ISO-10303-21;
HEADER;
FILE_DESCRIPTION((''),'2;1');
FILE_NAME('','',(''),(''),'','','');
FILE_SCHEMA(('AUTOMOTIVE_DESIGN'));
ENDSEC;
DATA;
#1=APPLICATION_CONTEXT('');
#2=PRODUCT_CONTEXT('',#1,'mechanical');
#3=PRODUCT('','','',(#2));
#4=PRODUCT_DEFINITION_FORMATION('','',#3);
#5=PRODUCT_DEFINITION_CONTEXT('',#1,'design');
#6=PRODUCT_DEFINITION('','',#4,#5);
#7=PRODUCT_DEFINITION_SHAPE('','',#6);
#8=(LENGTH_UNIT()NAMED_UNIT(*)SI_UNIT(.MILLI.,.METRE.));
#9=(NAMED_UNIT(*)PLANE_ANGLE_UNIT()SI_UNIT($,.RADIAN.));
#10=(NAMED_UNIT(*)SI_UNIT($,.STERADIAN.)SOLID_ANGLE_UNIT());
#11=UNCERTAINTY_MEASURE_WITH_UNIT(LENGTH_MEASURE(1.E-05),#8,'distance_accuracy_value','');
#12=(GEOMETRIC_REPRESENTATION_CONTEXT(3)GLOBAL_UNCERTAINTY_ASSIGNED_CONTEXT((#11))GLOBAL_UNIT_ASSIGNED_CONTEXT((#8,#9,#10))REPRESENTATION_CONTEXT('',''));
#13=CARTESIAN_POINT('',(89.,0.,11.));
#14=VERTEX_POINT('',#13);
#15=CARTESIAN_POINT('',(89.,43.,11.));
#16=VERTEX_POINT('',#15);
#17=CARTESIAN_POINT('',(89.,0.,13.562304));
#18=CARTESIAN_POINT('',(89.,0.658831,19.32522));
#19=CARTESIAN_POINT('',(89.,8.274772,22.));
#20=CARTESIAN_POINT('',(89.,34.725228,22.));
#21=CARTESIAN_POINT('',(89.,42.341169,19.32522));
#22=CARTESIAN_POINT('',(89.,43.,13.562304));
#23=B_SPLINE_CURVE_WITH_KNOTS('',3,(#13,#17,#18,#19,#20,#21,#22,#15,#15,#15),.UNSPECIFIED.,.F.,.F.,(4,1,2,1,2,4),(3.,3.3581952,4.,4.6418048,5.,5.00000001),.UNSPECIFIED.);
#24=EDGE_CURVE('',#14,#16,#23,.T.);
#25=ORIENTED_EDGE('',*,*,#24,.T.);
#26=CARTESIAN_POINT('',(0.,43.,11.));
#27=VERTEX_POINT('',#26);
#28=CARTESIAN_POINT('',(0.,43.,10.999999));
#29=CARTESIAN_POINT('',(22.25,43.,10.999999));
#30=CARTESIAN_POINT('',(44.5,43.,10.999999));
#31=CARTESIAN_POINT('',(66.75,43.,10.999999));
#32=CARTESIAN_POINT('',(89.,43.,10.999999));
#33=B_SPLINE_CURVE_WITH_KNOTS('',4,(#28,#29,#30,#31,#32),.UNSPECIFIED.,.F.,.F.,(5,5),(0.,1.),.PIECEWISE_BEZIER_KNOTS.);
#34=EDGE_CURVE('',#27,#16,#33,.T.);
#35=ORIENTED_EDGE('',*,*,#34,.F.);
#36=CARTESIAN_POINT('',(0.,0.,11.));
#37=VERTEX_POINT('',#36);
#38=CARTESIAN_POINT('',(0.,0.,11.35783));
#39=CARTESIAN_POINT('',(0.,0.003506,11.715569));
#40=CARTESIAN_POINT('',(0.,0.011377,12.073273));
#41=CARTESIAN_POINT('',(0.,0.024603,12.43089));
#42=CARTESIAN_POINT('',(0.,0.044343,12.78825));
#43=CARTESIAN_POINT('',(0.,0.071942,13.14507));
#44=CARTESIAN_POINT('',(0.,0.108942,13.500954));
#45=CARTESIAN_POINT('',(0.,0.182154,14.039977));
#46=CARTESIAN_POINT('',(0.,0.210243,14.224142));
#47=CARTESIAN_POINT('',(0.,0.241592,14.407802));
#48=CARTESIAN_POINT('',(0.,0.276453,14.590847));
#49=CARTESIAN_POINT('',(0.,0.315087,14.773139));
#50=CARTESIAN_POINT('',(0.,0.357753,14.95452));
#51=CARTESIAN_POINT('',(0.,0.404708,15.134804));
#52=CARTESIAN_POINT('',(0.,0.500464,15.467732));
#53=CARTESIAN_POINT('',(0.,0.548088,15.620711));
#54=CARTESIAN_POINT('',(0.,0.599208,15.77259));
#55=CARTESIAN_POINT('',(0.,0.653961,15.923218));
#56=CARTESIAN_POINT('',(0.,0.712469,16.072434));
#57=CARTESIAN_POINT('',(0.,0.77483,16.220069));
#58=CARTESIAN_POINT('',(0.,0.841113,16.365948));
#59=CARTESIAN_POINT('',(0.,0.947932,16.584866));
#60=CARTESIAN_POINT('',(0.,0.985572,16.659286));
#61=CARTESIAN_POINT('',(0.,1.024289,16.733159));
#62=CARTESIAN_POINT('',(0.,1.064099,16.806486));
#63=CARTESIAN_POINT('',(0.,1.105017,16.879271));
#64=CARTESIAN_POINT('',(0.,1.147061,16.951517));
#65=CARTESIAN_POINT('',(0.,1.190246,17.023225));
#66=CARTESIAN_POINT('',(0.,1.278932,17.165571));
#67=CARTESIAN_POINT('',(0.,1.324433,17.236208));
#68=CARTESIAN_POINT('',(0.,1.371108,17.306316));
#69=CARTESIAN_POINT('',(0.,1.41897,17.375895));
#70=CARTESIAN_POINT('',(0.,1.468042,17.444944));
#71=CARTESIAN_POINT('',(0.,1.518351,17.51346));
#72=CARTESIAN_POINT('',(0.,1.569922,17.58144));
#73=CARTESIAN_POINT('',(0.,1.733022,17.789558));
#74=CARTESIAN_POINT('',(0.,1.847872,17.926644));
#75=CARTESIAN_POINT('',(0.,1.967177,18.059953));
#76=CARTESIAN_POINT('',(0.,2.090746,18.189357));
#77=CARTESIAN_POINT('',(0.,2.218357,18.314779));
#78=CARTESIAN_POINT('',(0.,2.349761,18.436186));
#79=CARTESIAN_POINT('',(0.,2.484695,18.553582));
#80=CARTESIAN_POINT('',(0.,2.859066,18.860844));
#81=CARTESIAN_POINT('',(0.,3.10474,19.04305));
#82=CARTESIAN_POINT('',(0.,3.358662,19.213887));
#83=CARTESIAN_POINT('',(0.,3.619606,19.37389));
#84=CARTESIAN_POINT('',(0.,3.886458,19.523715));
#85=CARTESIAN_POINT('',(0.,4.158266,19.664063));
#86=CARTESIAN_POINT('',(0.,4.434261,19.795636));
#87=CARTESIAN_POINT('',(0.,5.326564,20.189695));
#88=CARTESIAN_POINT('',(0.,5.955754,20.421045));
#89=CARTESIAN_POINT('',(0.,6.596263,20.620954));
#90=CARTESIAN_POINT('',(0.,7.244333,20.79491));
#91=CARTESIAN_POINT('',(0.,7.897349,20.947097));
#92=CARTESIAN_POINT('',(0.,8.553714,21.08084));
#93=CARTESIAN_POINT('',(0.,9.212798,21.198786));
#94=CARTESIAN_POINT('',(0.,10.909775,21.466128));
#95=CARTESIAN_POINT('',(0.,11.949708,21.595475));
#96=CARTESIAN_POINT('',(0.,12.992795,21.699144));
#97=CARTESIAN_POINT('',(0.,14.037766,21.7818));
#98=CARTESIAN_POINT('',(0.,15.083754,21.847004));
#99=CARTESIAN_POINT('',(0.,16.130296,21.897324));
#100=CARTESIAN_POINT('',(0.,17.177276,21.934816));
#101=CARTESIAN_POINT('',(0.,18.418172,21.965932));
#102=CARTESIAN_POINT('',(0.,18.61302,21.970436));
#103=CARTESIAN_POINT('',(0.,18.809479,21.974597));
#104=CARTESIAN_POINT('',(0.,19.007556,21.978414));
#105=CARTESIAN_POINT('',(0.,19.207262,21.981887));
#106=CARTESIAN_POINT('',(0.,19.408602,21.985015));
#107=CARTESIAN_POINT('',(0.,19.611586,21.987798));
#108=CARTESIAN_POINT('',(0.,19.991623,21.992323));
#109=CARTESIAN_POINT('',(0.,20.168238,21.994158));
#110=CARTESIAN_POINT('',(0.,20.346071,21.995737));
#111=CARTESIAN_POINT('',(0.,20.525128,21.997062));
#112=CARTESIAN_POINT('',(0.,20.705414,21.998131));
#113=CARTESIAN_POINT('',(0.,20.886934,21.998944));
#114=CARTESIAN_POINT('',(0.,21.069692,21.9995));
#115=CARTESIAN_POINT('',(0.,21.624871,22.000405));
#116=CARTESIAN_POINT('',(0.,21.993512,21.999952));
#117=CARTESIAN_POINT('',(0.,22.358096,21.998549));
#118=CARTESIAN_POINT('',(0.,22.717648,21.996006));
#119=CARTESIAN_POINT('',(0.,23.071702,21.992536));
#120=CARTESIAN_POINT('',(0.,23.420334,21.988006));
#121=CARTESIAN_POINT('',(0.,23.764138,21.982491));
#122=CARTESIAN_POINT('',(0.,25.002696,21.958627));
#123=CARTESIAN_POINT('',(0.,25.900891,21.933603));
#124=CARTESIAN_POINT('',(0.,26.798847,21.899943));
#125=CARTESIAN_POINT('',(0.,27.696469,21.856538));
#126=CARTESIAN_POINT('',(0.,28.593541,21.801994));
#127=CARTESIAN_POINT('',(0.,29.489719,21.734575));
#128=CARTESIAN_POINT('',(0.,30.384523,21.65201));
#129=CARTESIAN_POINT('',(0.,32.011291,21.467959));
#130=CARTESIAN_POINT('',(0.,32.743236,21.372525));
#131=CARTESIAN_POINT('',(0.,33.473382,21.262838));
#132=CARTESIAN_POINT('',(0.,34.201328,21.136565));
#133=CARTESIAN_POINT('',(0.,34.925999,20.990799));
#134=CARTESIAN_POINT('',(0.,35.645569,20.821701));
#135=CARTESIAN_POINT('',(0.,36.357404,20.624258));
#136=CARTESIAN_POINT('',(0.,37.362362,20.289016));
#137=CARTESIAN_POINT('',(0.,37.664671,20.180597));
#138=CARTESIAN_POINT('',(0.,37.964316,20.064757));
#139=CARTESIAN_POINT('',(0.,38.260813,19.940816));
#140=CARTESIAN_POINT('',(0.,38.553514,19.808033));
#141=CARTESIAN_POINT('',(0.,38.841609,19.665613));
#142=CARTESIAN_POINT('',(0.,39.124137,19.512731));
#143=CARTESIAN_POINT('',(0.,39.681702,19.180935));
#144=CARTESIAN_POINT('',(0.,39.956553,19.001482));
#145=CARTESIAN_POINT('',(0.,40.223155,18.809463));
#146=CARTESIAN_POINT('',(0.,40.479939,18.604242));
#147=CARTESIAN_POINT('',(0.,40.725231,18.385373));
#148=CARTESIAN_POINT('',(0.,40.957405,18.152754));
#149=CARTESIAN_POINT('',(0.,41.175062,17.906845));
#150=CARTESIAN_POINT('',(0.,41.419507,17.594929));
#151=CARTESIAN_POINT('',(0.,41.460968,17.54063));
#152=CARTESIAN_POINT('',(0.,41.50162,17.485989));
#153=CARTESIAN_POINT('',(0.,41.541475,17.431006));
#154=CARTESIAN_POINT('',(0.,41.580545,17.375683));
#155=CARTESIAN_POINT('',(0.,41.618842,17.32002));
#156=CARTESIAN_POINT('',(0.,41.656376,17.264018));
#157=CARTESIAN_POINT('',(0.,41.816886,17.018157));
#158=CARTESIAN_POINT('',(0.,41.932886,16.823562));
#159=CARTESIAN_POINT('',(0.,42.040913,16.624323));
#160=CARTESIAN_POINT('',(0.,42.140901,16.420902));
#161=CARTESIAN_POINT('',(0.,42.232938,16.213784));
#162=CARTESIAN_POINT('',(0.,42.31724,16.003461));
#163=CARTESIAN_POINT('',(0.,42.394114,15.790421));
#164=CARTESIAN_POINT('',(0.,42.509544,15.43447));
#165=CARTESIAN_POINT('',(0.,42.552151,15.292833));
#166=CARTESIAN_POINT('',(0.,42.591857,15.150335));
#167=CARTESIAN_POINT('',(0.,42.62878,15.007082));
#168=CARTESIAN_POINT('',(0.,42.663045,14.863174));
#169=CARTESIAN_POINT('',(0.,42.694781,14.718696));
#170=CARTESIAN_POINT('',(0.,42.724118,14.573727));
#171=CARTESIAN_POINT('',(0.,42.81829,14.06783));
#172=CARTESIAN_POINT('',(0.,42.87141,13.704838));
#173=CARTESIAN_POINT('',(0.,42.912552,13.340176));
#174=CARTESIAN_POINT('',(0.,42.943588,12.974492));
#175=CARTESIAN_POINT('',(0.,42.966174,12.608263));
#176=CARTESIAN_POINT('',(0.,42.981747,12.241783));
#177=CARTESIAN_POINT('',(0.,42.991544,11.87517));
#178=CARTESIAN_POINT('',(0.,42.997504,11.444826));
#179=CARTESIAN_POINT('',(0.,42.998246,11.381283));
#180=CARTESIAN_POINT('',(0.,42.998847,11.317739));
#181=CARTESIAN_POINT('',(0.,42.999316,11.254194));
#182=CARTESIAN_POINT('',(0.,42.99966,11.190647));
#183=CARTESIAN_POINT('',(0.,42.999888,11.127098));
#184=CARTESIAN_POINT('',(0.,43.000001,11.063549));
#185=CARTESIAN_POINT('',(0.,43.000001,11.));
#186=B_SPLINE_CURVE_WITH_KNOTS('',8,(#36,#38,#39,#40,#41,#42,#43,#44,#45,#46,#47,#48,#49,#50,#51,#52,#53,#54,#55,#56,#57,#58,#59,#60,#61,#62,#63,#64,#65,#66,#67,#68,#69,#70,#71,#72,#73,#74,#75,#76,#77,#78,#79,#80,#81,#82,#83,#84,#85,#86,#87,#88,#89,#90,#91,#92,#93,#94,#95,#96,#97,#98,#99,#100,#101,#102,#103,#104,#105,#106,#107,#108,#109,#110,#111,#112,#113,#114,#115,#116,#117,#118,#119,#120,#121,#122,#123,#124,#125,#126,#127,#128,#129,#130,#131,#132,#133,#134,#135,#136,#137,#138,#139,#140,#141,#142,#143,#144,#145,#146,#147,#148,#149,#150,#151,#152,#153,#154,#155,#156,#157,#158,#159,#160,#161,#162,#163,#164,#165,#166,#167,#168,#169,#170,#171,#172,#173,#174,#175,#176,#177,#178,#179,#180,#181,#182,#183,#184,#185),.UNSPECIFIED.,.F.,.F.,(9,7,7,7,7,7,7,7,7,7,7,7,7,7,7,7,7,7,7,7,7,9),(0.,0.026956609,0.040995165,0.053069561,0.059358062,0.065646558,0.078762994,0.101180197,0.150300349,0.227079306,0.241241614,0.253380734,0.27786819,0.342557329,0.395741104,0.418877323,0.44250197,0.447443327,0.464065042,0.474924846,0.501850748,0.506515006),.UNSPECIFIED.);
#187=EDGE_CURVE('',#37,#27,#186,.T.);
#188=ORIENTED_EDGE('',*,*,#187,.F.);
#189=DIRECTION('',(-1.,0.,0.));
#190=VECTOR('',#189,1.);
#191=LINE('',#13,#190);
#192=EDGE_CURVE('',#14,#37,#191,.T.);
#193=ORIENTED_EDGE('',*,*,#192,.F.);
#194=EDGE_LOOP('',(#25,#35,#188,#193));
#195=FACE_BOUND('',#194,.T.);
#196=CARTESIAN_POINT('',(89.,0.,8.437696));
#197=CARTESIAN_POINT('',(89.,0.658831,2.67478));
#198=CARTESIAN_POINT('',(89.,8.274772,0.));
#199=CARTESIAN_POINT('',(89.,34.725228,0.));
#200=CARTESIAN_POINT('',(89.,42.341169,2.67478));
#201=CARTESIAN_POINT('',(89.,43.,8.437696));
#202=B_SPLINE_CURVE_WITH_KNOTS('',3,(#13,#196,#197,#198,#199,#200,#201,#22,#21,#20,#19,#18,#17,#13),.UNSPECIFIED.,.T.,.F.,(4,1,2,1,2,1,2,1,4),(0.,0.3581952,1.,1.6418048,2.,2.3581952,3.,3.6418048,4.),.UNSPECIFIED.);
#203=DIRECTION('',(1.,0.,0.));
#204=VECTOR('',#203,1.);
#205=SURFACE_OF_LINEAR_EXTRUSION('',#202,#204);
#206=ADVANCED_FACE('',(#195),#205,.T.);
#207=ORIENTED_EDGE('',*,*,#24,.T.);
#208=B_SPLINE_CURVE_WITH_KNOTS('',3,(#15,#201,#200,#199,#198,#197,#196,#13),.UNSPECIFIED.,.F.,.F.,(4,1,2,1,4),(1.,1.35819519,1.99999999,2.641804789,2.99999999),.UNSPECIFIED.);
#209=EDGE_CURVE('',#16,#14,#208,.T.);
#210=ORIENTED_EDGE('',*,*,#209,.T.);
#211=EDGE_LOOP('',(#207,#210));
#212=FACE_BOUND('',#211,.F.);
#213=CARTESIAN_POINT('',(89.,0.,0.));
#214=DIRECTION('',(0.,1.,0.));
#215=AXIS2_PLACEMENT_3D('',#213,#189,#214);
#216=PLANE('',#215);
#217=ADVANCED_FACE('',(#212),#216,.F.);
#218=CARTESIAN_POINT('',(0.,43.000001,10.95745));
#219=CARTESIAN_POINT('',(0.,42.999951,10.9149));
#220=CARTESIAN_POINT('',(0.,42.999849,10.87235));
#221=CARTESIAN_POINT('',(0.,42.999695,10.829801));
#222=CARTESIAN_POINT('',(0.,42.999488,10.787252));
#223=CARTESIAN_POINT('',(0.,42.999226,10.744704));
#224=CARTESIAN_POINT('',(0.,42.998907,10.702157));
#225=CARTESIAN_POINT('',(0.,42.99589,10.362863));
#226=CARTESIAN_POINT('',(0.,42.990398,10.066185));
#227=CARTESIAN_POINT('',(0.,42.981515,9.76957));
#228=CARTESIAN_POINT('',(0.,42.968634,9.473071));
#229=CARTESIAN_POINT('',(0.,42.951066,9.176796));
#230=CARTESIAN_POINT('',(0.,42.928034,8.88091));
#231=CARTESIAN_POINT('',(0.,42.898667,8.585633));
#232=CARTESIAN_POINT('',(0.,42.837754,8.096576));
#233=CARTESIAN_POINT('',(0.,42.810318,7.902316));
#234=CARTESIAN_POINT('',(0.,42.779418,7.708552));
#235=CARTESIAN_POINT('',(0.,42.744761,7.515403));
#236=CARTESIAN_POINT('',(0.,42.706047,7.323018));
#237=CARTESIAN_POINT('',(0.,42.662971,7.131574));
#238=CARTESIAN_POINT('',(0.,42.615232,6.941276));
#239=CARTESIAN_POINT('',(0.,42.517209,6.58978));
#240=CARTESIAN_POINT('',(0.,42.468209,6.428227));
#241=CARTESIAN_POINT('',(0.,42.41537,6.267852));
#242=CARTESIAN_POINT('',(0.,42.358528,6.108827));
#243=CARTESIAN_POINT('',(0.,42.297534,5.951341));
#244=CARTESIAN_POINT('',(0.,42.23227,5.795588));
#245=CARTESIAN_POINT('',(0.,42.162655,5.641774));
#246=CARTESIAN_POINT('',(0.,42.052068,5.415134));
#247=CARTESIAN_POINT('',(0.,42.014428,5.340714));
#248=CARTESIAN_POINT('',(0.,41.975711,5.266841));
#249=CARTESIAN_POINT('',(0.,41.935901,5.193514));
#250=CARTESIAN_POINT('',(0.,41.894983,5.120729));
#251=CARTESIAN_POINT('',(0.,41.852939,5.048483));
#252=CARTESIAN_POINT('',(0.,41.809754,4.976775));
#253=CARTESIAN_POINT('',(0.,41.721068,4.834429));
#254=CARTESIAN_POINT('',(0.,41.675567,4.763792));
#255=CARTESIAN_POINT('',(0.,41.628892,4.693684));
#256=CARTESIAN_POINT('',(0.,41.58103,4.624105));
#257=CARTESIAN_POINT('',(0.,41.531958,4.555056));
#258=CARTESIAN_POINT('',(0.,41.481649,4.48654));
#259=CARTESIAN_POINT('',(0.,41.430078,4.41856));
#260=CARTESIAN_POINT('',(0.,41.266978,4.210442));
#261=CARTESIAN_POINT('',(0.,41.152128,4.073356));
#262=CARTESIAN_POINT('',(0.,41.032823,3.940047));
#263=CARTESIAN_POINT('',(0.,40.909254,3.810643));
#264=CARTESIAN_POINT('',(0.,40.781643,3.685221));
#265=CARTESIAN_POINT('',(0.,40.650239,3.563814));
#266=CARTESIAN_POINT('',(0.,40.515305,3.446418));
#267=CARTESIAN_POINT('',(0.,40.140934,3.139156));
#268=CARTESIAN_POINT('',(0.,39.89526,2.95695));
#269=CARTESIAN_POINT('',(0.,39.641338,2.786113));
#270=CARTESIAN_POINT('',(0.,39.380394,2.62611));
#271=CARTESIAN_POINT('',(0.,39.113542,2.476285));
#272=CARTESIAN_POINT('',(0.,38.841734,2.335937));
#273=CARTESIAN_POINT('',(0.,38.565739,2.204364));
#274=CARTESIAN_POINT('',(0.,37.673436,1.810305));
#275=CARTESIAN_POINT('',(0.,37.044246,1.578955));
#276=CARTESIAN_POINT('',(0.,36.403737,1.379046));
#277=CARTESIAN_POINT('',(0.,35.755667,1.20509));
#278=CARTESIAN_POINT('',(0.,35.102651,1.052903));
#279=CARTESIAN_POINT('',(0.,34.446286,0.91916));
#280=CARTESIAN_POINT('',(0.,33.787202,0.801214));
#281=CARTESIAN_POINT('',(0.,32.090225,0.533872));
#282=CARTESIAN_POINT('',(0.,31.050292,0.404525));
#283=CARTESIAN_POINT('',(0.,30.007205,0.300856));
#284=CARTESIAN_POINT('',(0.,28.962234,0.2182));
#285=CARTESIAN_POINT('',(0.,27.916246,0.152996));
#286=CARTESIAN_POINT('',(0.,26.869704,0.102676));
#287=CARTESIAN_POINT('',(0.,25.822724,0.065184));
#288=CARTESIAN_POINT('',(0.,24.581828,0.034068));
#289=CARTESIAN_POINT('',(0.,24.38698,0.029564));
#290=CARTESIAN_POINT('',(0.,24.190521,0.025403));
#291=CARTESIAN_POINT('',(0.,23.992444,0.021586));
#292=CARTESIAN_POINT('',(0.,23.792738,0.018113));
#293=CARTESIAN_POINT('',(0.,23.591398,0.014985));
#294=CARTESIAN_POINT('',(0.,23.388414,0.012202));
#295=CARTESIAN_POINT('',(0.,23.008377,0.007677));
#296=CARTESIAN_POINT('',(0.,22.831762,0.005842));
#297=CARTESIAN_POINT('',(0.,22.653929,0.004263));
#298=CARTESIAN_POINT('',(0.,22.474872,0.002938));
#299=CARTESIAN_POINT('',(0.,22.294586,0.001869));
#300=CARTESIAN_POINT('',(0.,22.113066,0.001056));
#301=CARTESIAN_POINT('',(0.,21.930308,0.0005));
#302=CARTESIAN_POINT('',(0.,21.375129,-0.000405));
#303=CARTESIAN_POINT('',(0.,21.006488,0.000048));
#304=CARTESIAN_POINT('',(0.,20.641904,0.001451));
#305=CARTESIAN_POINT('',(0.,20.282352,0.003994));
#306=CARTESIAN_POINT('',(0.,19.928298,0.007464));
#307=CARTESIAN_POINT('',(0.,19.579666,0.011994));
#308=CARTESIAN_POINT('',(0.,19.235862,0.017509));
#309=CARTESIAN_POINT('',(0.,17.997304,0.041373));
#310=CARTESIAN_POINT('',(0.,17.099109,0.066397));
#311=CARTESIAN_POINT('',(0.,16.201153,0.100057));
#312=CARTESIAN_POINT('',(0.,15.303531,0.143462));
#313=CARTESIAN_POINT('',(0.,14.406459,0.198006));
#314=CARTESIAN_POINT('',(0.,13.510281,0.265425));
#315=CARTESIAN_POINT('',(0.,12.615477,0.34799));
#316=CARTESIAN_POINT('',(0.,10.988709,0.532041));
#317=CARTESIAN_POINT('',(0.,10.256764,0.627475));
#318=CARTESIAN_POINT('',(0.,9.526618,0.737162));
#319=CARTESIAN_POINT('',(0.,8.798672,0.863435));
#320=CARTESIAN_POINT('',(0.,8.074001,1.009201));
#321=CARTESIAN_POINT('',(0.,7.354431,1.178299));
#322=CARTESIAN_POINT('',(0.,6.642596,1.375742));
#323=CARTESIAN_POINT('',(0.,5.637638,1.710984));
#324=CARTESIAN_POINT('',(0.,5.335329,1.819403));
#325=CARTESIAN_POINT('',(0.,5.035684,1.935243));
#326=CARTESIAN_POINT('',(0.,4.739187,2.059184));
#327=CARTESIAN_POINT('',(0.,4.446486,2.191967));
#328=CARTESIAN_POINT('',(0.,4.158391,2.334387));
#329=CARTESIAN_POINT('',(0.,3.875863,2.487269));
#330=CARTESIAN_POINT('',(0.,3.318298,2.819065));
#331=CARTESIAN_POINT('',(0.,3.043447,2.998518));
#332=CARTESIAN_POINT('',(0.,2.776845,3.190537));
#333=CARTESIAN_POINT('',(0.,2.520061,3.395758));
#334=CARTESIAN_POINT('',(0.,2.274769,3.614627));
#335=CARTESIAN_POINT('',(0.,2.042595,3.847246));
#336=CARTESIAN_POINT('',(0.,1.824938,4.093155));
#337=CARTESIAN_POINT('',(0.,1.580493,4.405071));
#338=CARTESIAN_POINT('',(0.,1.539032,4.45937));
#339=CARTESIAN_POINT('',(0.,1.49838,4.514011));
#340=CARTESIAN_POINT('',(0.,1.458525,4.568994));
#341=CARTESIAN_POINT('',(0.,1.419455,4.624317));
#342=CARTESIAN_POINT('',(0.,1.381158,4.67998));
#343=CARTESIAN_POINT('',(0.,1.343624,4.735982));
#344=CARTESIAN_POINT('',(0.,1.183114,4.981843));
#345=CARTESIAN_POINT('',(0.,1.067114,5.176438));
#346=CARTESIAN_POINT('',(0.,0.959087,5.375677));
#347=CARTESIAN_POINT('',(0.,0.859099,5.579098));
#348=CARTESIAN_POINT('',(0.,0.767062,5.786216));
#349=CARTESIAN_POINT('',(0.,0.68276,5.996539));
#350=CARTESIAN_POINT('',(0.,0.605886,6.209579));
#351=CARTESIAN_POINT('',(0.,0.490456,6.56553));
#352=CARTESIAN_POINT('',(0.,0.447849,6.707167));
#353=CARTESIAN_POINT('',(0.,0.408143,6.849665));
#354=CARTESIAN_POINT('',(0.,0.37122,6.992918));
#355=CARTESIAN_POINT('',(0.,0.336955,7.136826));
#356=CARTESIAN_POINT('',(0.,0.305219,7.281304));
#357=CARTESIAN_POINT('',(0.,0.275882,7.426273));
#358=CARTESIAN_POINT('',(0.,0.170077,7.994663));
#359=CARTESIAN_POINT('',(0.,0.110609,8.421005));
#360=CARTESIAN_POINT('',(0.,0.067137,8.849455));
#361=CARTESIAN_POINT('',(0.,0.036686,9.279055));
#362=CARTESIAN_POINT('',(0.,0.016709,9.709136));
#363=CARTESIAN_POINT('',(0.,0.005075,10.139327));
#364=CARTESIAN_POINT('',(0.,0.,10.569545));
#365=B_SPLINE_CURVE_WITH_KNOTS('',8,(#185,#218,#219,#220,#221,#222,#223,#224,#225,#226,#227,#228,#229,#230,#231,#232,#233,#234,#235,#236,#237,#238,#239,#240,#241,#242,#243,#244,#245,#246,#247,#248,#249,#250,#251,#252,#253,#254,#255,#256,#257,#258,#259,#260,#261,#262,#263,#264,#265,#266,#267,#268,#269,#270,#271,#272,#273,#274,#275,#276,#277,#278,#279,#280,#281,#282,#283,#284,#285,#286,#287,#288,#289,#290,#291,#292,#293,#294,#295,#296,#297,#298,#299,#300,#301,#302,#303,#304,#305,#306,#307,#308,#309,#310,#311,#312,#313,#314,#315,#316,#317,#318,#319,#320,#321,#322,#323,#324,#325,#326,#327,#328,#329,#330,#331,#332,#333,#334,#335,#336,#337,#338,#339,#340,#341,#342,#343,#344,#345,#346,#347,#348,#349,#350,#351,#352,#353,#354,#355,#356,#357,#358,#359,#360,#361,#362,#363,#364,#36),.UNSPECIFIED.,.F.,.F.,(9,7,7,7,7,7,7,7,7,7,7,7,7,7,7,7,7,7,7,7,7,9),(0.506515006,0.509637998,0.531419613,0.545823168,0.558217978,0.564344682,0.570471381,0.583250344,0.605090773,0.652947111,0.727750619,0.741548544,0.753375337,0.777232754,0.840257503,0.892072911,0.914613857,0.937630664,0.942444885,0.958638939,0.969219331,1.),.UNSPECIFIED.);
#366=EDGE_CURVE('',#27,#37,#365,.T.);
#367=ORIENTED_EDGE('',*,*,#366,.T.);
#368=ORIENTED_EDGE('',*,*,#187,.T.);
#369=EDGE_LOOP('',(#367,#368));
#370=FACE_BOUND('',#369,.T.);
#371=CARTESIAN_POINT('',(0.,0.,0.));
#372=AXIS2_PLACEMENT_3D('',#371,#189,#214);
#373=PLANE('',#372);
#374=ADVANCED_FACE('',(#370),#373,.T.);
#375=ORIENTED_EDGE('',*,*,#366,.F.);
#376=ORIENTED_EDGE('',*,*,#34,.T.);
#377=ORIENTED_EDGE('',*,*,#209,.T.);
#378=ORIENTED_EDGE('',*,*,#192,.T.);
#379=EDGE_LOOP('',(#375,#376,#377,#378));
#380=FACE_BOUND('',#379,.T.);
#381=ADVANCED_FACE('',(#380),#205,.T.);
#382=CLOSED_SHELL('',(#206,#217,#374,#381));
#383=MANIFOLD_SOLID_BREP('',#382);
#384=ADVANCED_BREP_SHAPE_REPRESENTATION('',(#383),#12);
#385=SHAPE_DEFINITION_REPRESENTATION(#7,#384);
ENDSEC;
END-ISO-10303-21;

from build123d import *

# Parameters (mm, degrees)
F0_W     = 89
F0_H     = 43
F1_DEPTH = 22
F3_DEPTH = 89.001


with BuildPart() as f1:
    # F0 (on Top) → F1 (new body)
    with BuildSketch(Plane.XY):
        with Locations((44.5, 21.5)):
            Rectangle(F0_W, F0_H)
    extrude(amount=F1_DEPTH)

    # F2 (on face) → F3 (intersect, through all)
    with BuildSketch(Plane.YZ.offset(89)):
        with BuildLine():
            add(Edge.make_bspline(
                [(0, 11), (0, 13.5623035421), (0.6588313754, 19.3252201157), (8.2747716079, 22), (21.5, 22)],
                knots=[0, 0, 0, 0, 0.3581952005, 1, 1, 1, 1], degree=3))
            add(Edge.make_bspline(
                [(0, 11), (0, 8.4376964579), (0.6588313754, 2.6747798843), (8.2747716079, 0), (21.5, 0)],
                knots=[0, 0, 0, 0, 0.3581952005, 1, 1, 1, 1], degree=3))
            add(Edge.make_bspline(
                [(43, 11), (43, 8.4376964579), (42.3411686246, 2.6747798843), (34.7252283921, 0), (21.5, 0)],
                knots=[0, 0, 0, 0, 0.3581952005, 1, 1, 1, 1], degree=3))
            add(Edge.make_bspline(
                [(43, 11), (43, 13.5623035421), (42.3411686246, 19.3252201157), (34.7252283921, 22), (21.5, 22)],
                knots=[0, 0, 0, 0, 0.3581952005, 1, 1, 1, 1], degree=3))
        make_face()
    extrude(amount=-F3_DEPTH, mode=Mode.INTERSECT)


solid = f1.part
